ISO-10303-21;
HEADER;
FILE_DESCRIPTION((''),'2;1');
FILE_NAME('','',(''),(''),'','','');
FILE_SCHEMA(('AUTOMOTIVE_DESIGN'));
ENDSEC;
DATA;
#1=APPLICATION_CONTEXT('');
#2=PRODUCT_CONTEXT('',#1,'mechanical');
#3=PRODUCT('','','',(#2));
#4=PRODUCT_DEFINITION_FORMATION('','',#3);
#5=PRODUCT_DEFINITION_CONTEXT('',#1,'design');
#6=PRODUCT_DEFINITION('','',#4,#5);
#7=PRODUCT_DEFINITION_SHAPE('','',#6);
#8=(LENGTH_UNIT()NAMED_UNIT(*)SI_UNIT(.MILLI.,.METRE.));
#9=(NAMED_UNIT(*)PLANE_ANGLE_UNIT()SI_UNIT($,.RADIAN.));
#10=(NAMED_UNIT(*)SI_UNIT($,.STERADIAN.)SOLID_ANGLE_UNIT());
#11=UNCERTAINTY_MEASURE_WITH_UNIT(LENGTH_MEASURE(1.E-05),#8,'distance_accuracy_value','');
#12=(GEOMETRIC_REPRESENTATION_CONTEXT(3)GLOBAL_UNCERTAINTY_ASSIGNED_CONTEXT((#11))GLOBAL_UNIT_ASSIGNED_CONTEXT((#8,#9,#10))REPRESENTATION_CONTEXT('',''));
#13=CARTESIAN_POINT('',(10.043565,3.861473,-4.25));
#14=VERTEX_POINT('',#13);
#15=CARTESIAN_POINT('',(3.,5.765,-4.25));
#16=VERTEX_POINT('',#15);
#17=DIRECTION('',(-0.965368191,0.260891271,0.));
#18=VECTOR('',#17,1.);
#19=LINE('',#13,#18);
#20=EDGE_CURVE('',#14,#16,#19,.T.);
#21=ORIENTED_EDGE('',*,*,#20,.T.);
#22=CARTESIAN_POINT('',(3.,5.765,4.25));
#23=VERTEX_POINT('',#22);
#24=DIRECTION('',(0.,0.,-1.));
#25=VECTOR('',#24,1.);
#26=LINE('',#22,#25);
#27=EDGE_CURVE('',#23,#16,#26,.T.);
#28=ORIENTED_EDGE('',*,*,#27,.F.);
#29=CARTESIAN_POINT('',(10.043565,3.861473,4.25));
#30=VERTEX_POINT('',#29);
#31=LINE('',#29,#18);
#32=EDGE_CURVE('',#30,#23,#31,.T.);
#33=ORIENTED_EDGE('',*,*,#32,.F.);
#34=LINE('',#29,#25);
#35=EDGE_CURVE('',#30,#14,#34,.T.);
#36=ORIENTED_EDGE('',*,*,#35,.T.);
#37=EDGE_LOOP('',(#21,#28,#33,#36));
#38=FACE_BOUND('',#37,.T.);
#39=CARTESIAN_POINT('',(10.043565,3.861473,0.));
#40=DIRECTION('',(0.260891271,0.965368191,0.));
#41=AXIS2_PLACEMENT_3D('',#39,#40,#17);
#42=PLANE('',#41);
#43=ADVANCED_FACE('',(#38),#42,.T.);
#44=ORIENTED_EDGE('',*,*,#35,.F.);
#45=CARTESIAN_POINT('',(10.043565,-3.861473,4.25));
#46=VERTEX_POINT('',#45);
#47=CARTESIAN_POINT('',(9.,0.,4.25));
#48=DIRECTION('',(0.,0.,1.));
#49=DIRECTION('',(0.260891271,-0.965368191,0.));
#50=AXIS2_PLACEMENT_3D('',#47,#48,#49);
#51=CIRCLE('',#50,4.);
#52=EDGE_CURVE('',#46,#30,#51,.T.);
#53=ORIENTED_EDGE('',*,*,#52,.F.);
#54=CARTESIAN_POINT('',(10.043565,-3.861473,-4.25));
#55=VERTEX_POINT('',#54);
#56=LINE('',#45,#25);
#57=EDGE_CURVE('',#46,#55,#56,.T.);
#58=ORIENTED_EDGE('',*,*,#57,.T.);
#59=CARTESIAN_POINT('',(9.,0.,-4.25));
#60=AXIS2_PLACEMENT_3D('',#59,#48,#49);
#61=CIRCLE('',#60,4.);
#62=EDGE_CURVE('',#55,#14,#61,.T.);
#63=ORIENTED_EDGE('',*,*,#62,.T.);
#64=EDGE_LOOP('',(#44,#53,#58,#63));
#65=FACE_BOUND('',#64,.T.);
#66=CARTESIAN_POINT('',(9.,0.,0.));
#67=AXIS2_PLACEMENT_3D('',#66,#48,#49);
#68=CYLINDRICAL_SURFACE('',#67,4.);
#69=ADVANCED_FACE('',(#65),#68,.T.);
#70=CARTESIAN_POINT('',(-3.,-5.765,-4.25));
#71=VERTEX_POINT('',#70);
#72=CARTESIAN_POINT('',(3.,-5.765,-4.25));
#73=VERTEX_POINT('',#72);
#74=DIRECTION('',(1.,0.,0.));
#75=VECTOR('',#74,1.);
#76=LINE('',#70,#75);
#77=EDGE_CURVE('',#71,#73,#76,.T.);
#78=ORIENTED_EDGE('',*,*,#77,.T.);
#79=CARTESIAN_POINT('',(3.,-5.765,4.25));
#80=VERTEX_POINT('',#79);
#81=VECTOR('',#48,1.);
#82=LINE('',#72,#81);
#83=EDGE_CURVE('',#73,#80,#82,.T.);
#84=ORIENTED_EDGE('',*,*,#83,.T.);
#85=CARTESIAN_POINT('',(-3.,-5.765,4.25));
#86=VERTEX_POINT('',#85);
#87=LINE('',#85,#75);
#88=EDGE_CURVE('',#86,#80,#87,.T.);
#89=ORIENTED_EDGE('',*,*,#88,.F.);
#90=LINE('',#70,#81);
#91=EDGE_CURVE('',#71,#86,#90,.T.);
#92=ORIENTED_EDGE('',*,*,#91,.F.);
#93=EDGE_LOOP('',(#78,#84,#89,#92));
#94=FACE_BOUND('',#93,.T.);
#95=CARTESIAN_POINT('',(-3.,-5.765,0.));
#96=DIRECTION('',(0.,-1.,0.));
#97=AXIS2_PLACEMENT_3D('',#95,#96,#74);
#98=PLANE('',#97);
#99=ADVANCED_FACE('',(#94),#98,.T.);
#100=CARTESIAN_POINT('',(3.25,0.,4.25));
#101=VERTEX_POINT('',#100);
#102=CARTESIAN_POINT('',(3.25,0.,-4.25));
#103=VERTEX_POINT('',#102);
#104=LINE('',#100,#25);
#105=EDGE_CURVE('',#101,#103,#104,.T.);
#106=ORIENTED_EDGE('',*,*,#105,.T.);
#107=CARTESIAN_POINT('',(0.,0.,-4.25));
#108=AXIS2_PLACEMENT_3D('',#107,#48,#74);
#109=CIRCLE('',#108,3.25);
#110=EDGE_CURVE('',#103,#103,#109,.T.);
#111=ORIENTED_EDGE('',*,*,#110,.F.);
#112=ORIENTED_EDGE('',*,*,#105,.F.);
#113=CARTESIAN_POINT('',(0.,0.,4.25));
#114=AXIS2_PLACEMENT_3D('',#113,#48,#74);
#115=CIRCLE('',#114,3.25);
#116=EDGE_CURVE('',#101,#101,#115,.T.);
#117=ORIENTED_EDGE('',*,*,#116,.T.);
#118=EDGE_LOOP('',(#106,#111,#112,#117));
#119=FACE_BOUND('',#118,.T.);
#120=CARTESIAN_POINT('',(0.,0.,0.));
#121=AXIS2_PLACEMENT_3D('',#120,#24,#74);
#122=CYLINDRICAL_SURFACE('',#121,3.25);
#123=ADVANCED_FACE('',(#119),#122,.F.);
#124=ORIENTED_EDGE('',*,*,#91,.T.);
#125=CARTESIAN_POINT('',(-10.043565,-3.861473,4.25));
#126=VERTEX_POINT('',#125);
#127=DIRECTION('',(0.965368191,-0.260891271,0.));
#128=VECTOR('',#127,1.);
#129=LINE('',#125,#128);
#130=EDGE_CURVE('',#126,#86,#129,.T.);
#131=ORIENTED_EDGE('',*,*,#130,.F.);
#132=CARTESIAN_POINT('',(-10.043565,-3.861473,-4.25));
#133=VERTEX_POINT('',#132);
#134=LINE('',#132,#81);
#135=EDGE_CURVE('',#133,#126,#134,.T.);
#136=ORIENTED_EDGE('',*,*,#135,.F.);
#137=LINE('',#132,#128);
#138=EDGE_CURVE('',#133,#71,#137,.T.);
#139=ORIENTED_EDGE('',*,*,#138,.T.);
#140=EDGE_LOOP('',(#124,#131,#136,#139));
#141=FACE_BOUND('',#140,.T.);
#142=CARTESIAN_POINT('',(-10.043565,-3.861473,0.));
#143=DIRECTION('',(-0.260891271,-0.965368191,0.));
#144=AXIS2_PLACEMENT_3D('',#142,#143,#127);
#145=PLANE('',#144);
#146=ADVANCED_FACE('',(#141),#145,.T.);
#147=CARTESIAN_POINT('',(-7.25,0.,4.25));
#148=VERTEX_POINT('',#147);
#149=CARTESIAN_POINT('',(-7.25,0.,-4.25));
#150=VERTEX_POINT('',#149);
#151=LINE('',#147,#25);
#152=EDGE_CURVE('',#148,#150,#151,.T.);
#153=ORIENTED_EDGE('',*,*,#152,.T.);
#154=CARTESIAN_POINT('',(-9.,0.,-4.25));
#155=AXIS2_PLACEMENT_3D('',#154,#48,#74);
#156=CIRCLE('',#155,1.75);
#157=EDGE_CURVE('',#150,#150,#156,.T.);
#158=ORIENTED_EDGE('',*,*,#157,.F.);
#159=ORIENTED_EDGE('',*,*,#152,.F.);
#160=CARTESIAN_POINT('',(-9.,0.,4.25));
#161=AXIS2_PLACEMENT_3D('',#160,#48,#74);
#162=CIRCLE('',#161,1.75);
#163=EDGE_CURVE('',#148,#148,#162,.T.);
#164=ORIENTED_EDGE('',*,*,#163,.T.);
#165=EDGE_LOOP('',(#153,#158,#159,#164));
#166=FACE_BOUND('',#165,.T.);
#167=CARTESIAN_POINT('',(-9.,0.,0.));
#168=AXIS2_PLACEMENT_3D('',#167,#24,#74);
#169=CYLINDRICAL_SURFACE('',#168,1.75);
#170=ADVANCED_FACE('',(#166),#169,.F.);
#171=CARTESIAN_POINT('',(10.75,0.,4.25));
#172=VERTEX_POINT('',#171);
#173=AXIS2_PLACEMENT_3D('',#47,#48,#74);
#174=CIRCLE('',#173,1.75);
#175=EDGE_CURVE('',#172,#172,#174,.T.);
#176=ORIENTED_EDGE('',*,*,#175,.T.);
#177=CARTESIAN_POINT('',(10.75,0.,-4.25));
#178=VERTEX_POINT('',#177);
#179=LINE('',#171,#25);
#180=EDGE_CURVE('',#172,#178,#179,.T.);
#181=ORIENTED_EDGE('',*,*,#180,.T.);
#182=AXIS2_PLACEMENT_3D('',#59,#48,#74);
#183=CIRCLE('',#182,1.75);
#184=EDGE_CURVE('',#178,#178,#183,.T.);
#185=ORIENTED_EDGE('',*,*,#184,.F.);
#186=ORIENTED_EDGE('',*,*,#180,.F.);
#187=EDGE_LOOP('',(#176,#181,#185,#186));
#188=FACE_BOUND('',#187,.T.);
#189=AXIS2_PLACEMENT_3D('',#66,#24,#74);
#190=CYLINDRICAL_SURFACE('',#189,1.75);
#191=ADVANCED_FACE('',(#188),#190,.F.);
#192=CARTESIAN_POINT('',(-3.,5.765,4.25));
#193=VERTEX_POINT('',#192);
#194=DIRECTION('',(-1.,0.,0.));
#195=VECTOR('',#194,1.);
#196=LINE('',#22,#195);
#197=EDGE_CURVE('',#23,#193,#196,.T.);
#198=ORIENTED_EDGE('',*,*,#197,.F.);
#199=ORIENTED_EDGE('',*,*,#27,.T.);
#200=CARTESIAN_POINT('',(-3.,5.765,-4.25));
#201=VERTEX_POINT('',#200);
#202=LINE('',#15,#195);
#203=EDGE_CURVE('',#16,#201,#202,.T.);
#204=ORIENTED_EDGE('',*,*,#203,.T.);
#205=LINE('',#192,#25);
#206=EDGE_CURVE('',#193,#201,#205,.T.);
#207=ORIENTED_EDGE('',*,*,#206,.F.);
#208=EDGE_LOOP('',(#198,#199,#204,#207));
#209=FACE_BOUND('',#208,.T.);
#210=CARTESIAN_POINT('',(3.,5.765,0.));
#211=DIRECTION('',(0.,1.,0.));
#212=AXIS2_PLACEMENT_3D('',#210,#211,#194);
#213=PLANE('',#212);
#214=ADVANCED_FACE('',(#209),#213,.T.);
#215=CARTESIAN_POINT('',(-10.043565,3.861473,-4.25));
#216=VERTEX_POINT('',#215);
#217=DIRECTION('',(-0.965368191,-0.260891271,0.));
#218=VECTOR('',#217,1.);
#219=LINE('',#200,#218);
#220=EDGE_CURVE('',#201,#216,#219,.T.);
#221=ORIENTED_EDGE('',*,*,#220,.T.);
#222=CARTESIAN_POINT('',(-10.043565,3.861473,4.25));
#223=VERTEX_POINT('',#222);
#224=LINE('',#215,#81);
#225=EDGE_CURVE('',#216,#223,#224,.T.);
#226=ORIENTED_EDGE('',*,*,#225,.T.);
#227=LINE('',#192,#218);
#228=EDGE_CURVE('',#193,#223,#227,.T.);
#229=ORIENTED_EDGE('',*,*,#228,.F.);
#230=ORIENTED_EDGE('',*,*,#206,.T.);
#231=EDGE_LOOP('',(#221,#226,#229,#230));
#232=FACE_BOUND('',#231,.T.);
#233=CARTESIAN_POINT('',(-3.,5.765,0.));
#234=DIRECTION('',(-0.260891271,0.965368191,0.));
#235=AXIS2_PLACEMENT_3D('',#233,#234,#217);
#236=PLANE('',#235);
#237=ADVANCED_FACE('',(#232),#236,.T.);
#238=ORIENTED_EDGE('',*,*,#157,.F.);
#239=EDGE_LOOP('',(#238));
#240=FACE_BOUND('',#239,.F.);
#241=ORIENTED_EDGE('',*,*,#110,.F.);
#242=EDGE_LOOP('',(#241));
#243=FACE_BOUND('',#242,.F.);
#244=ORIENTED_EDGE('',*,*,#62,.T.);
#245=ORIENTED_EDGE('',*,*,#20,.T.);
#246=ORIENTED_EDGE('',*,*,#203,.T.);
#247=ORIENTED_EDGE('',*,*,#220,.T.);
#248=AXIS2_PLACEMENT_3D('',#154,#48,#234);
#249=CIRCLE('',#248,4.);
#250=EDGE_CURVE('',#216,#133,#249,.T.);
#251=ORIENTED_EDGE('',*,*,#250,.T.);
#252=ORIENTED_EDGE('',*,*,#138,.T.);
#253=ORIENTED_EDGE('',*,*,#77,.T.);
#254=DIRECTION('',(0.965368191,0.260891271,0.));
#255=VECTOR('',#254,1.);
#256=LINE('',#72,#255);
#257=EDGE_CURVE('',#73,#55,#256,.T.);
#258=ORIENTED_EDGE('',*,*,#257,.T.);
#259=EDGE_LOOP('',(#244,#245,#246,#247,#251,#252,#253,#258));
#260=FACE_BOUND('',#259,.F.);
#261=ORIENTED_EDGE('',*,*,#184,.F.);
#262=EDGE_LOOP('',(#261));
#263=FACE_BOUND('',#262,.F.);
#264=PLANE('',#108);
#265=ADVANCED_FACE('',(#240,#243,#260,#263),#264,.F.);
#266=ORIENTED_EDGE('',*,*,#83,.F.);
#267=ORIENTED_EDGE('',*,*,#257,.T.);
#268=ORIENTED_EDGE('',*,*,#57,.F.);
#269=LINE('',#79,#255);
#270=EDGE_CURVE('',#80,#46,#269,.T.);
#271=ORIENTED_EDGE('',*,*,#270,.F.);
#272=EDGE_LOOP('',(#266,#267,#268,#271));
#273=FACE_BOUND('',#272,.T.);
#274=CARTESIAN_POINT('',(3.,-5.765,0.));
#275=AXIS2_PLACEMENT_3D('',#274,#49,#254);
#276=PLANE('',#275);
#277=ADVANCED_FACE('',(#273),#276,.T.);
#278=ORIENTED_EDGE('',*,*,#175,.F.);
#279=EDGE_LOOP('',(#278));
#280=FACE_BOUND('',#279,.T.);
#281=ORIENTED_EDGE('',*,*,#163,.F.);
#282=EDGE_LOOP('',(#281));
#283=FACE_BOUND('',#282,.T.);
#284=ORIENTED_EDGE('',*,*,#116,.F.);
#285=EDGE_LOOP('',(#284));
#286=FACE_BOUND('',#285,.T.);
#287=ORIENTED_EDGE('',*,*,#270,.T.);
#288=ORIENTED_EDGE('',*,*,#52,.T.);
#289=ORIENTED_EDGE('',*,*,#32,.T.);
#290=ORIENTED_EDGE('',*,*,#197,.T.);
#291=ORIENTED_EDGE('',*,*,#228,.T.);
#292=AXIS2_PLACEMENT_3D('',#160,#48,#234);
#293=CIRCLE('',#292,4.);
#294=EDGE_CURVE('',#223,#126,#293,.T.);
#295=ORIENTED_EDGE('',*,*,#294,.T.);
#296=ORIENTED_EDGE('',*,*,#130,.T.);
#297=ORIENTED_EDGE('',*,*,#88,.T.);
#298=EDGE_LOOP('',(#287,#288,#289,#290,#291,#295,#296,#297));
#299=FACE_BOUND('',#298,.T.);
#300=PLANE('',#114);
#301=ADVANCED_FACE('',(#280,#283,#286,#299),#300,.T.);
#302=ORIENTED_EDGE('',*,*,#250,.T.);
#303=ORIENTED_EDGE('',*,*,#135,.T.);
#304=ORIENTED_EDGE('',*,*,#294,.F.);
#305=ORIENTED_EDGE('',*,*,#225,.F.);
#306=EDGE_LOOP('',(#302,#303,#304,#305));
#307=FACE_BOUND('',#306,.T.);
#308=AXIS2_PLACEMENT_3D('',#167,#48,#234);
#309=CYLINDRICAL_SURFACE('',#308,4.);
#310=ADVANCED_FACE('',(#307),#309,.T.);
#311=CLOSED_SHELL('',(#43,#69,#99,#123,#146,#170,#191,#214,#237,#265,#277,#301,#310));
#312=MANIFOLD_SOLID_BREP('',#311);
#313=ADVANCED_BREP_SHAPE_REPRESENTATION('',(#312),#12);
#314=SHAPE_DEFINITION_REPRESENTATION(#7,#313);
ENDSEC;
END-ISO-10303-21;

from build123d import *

# Parameters (mm, degrees)
F1_R     = 1.75
F1_R_2   = 3.25
F2_DEPTH = 4.25


with BuildPart() as f2:
    # F1 (on Top) → F2 (new body, symmetric)
    with BuildSketch(Plane.XY):
        with BuildLine():
            Line((-3, 5.765), (-10.0435650822, 3.8614727656))
            ThreePointArc((-10.0435650822, 3.8614727656), (-13, 0), (-10.0435650822, -3.8614727656))
            Line((-10.0435650822, -3.8614727656), (-3, -5.765))
            Line((-3, -5.765), (3, -5.765))
            Line((3, -5.765), (10.0435650822, -3.8614727656))
            ThreePointArc((10.0435650822, -3.8614727656), (13, 0), (10.0435650822, 3.8614727656))
            Line((10.0435650822, 3.8614727656), (3, 5.765))
            Line((3, 5.765), (-3, 5.765))
        make_face()
        with Locations((-9, 0)):
            Circle(F1_R, mode=Mode.SUBTRACT)
        Circle(F1_R_2, mode=Mode.SUBTRACT)
        with Locations((9, 0)):
            Circle(F1_R, mode=Mode.SUBTRACT)
    extrude(amount=F2_DEPTH, both=True)


solid = f2.part
